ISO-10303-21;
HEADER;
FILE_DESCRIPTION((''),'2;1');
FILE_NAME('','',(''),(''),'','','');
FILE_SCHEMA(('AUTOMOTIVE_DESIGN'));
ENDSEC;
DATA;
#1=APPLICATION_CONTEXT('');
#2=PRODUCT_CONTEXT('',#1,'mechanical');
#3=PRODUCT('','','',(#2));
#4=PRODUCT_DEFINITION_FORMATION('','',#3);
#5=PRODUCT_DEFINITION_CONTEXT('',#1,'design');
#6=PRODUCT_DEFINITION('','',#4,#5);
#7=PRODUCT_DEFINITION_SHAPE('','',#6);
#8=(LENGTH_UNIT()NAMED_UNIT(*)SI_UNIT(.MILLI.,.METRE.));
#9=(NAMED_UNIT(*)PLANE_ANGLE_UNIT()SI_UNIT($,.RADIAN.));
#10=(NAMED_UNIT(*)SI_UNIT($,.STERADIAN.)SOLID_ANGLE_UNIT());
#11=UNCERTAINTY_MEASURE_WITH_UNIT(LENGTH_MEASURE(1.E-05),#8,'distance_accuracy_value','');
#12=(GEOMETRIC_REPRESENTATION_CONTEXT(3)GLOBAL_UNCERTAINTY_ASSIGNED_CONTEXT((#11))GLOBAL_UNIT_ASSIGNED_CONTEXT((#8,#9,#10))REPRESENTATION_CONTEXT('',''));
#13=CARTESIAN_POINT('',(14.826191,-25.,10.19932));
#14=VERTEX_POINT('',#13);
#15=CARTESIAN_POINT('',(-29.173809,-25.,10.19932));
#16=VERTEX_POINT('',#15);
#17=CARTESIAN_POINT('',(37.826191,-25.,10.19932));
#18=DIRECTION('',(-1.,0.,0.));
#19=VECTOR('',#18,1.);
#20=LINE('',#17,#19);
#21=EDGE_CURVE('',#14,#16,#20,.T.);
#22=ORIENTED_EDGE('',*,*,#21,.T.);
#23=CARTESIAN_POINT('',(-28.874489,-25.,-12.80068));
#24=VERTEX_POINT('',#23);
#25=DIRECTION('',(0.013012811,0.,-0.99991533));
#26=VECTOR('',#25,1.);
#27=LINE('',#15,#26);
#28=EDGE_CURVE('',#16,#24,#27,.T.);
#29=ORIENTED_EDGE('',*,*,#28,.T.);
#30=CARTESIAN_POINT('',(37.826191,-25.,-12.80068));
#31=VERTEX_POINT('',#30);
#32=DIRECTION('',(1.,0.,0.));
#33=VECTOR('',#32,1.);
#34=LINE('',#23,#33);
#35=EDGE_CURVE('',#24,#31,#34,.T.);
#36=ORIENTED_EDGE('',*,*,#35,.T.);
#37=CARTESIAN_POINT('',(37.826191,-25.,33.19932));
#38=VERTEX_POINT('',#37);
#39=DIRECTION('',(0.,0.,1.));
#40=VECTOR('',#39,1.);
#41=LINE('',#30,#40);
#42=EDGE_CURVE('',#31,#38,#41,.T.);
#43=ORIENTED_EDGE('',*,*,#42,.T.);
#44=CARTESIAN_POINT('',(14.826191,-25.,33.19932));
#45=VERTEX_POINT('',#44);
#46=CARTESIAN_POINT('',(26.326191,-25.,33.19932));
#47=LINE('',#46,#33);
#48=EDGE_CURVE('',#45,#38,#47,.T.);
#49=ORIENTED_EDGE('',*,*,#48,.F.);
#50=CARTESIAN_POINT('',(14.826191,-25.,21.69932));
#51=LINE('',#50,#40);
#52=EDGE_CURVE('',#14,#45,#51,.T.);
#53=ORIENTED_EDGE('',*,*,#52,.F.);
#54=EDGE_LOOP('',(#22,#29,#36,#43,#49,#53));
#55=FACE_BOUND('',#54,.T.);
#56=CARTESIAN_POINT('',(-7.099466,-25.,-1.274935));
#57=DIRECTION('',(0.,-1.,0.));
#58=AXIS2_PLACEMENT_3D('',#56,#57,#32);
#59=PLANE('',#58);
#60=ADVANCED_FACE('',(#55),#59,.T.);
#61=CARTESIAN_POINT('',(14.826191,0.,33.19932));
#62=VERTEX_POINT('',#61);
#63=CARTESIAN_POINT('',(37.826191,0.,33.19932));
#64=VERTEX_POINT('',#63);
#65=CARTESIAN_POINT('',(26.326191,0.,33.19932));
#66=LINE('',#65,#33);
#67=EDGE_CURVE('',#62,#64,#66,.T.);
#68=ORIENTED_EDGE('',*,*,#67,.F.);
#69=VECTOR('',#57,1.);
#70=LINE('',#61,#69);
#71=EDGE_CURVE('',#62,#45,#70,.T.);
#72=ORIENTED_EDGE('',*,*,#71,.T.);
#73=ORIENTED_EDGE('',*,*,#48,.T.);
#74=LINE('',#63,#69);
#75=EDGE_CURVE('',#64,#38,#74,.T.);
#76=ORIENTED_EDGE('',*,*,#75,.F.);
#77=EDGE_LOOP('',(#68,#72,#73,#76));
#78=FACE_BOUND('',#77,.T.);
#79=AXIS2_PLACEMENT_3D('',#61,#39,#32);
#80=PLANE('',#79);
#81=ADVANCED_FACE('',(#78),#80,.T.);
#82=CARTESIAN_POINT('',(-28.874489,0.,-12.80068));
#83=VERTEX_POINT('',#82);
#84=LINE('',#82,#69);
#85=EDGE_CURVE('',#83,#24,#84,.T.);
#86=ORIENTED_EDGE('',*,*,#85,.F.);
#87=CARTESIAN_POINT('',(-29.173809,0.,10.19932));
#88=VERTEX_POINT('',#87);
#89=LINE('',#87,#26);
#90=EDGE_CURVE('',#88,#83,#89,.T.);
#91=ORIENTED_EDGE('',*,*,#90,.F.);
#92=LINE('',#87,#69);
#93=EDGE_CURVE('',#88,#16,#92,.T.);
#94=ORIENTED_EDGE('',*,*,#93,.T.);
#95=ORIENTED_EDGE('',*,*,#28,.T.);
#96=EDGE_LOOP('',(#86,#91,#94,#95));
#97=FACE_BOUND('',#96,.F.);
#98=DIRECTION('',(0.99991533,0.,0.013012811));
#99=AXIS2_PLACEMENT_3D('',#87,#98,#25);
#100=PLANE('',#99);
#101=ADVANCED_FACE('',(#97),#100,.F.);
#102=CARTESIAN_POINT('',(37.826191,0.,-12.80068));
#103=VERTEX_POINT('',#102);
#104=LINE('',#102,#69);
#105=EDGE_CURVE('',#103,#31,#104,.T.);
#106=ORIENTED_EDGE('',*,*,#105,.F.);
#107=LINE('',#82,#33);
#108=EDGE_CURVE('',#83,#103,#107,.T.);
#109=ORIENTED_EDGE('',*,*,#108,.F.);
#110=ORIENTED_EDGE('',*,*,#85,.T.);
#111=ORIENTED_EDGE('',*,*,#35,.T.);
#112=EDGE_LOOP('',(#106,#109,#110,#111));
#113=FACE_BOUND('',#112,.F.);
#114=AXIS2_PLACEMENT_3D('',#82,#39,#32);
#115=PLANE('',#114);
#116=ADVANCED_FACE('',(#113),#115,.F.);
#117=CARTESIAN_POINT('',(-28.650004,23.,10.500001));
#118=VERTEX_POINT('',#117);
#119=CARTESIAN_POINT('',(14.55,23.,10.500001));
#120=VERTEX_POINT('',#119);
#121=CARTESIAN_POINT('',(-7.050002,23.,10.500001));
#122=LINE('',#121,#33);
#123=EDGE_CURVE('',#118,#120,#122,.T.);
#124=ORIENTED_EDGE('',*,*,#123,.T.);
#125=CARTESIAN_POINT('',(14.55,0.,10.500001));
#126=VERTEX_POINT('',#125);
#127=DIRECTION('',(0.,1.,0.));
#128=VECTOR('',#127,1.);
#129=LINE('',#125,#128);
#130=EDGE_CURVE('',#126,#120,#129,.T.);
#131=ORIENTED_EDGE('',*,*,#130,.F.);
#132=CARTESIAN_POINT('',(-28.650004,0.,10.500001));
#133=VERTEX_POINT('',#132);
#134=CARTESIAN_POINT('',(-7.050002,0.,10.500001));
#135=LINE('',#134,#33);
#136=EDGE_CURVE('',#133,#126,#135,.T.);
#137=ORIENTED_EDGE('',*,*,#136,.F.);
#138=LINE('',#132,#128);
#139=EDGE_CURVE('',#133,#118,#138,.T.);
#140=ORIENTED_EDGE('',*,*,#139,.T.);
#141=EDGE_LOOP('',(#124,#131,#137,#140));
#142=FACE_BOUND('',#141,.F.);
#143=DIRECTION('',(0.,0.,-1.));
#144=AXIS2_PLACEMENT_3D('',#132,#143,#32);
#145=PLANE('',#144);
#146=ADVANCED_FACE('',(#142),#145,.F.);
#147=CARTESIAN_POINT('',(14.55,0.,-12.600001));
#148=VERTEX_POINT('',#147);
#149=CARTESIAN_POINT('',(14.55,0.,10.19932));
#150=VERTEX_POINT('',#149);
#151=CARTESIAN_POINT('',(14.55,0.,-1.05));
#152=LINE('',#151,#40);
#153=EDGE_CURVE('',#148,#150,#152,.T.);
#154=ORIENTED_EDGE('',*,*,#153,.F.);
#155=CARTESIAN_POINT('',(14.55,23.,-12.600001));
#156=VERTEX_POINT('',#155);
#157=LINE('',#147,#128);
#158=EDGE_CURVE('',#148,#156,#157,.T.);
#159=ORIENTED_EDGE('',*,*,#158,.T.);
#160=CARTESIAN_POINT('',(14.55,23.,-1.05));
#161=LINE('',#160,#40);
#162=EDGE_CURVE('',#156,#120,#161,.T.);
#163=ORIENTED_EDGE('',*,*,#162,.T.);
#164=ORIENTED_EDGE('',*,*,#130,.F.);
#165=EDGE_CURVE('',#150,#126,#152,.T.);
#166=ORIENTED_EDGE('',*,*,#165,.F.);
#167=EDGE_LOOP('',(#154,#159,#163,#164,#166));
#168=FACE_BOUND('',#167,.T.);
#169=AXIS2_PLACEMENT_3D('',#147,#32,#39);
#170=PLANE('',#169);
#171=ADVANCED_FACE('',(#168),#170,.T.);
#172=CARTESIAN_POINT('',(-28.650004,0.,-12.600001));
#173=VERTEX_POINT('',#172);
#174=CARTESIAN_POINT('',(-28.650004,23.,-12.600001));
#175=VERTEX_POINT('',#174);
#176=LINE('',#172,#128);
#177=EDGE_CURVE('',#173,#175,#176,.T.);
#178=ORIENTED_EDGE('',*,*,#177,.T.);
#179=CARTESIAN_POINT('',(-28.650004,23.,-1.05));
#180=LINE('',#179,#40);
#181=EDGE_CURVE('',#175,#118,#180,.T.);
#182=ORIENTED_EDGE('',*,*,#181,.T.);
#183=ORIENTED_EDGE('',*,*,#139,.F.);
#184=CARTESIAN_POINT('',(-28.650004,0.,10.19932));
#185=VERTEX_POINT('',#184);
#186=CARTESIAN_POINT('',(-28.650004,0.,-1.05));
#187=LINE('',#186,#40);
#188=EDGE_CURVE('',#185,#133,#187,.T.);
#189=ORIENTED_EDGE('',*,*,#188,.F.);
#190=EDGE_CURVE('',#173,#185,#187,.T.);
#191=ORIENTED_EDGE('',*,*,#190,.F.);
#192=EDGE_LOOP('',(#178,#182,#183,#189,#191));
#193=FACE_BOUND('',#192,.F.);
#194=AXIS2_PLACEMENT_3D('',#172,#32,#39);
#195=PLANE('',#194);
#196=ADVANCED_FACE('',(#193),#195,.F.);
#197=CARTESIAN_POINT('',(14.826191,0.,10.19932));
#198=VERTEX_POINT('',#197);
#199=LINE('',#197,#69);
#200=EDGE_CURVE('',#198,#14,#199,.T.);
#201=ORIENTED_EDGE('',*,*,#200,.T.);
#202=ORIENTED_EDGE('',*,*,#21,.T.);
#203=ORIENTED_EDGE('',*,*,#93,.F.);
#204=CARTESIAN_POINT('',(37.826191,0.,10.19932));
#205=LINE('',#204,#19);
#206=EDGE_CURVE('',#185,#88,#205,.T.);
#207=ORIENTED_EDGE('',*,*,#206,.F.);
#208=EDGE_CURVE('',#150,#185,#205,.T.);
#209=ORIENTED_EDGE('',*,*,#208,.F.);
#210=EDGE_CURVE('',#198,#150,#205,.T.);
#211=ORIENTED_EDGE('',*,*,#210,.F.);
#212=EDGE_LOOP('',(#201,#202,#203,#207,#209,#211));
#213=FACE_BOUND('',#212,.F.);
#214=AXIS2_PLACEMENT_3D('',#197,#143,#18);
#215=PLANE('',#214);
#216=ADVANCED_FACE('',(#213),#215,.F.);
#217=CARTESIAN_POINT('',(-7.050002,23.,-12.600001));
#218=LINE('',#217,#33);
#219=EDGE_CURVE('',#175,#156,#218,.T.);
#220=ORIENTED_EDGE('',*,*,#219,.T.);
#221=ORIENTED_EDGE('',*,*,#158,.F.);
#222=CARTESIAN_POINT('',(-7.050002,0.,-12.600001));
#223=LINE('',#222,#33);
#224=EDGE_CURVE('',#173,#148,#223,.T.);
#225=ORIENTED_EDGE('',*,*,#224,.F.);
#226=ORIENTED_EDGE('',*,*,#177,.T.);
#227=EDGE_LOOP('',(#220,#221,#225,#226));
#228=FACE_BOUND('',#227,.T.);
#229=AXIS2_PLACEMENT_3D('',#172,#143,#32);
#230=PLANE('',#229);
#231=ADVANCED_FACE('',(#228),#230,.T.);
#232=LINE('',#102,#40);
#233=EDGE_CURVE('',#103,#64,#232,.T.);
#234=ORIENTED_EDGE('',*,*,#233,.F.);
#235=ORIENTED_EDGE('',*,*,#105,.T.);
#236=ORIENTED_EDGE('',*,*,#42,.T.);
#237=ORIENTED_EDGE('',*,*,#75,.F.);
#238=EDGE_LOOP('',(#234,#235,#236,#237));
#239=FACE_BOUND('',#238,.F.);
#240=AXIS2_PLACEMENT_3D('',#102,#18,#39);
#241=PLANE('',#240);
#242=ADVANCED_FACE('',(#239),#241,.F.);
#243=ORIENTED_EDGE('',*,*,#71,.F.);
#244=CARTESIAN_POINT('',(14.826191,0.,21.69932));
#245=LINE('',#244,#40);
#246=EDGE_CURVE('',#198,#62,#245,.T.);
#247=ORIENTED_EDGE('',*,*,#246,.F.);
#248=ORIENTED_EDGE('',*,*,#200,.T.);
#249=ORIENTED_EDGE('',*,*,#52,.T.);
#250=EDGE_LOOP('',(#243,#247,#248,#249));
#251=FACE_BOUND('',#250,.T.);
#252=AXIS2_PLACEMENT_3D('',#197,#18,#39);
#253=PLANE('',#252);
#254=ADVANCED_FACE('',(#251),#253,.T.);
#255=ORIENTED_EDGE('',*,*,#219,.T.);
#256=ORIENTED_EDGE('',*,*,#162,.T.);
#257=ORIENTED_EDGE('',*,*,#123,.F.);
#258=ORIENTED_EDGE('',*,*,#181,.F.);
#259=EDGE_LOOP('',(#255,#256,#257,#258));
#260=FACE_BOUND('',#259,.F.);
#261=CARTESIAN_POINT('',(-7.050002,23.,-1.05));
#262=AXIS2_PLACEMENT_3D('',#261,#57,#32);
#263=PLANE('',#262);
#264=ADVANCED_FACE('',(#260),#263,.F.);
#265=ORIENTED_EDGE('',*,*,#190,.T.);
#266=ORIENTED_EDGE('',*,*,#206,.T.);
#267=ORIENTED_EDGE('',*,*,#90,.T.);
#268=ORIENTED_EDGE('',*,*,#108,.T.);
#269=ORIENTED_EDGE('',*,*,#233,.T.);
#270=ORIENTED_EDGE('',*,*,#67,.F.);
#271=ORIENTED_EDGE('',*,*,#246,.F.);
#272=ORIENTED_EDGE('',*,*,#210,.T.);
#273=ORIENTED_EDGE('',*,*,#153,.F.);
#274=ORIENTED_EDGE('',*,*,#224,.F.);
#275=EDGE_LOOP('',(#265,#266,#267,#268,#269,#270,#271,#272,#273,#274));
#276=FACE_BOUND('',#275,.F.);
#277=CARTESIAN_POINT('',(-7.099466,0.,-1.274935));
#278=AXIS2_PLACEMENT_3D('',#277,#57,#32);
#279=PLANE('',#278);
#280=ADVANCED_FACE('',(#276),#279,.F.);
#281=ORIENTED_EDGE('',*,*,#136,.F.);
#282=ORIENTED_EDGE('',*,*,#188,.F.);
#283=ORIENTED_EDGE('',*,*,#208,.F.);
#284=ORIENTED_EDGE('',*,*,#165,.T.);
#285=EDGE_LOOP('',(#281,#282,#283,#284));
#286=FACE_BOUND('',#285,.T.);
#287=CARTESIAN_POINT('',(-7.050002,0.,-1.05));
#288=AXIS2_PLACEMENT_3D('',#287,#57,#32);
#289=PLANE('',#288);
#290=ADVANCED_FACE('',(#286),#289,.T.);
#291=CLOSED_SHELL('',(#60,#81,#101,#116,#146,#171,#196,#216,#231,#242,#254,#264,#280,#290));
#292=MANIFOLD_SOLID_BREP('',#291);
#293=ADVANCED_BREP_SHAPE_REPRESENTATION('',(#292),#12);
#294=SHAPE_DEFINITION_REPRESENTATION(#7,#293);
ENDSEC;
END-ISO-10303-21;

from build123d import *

# Parameters (mm, degrees)
F0_W     = 23
F0_H     = 23
F1_DEPTH = 25
F2_W     = 43.200003
F2_H     = 23.100001
F3_DEPTH = 23


with BuildPart() as f1:
    # F0 (on Front) → F1 (new body)
    with BuildSketch(Plane.XZ):
        Polygon((14.826191, 10.19932), (-29.173809, 10.19932), (-28.874489, -12.80068), (14.826191, -12.80068), align=None)
        with Locations((26.326191, -1.30068)):
            Rectangle(F0_W, F0_H)
        with Locations((26.326191, 21.69932)):
            Rectangle(F0_W, F0_H)
    extrude(amount=F1_DEPTH)

    # F2 (on Front) → F3 (join)
    with BuildSketch(Plane.XZ):
        with Locations((-7.050002, -1.05)):
            Rectangle(F2_W, F2_H)
    extrude(amount=-F3_DEPTH)


solid = f1.part
